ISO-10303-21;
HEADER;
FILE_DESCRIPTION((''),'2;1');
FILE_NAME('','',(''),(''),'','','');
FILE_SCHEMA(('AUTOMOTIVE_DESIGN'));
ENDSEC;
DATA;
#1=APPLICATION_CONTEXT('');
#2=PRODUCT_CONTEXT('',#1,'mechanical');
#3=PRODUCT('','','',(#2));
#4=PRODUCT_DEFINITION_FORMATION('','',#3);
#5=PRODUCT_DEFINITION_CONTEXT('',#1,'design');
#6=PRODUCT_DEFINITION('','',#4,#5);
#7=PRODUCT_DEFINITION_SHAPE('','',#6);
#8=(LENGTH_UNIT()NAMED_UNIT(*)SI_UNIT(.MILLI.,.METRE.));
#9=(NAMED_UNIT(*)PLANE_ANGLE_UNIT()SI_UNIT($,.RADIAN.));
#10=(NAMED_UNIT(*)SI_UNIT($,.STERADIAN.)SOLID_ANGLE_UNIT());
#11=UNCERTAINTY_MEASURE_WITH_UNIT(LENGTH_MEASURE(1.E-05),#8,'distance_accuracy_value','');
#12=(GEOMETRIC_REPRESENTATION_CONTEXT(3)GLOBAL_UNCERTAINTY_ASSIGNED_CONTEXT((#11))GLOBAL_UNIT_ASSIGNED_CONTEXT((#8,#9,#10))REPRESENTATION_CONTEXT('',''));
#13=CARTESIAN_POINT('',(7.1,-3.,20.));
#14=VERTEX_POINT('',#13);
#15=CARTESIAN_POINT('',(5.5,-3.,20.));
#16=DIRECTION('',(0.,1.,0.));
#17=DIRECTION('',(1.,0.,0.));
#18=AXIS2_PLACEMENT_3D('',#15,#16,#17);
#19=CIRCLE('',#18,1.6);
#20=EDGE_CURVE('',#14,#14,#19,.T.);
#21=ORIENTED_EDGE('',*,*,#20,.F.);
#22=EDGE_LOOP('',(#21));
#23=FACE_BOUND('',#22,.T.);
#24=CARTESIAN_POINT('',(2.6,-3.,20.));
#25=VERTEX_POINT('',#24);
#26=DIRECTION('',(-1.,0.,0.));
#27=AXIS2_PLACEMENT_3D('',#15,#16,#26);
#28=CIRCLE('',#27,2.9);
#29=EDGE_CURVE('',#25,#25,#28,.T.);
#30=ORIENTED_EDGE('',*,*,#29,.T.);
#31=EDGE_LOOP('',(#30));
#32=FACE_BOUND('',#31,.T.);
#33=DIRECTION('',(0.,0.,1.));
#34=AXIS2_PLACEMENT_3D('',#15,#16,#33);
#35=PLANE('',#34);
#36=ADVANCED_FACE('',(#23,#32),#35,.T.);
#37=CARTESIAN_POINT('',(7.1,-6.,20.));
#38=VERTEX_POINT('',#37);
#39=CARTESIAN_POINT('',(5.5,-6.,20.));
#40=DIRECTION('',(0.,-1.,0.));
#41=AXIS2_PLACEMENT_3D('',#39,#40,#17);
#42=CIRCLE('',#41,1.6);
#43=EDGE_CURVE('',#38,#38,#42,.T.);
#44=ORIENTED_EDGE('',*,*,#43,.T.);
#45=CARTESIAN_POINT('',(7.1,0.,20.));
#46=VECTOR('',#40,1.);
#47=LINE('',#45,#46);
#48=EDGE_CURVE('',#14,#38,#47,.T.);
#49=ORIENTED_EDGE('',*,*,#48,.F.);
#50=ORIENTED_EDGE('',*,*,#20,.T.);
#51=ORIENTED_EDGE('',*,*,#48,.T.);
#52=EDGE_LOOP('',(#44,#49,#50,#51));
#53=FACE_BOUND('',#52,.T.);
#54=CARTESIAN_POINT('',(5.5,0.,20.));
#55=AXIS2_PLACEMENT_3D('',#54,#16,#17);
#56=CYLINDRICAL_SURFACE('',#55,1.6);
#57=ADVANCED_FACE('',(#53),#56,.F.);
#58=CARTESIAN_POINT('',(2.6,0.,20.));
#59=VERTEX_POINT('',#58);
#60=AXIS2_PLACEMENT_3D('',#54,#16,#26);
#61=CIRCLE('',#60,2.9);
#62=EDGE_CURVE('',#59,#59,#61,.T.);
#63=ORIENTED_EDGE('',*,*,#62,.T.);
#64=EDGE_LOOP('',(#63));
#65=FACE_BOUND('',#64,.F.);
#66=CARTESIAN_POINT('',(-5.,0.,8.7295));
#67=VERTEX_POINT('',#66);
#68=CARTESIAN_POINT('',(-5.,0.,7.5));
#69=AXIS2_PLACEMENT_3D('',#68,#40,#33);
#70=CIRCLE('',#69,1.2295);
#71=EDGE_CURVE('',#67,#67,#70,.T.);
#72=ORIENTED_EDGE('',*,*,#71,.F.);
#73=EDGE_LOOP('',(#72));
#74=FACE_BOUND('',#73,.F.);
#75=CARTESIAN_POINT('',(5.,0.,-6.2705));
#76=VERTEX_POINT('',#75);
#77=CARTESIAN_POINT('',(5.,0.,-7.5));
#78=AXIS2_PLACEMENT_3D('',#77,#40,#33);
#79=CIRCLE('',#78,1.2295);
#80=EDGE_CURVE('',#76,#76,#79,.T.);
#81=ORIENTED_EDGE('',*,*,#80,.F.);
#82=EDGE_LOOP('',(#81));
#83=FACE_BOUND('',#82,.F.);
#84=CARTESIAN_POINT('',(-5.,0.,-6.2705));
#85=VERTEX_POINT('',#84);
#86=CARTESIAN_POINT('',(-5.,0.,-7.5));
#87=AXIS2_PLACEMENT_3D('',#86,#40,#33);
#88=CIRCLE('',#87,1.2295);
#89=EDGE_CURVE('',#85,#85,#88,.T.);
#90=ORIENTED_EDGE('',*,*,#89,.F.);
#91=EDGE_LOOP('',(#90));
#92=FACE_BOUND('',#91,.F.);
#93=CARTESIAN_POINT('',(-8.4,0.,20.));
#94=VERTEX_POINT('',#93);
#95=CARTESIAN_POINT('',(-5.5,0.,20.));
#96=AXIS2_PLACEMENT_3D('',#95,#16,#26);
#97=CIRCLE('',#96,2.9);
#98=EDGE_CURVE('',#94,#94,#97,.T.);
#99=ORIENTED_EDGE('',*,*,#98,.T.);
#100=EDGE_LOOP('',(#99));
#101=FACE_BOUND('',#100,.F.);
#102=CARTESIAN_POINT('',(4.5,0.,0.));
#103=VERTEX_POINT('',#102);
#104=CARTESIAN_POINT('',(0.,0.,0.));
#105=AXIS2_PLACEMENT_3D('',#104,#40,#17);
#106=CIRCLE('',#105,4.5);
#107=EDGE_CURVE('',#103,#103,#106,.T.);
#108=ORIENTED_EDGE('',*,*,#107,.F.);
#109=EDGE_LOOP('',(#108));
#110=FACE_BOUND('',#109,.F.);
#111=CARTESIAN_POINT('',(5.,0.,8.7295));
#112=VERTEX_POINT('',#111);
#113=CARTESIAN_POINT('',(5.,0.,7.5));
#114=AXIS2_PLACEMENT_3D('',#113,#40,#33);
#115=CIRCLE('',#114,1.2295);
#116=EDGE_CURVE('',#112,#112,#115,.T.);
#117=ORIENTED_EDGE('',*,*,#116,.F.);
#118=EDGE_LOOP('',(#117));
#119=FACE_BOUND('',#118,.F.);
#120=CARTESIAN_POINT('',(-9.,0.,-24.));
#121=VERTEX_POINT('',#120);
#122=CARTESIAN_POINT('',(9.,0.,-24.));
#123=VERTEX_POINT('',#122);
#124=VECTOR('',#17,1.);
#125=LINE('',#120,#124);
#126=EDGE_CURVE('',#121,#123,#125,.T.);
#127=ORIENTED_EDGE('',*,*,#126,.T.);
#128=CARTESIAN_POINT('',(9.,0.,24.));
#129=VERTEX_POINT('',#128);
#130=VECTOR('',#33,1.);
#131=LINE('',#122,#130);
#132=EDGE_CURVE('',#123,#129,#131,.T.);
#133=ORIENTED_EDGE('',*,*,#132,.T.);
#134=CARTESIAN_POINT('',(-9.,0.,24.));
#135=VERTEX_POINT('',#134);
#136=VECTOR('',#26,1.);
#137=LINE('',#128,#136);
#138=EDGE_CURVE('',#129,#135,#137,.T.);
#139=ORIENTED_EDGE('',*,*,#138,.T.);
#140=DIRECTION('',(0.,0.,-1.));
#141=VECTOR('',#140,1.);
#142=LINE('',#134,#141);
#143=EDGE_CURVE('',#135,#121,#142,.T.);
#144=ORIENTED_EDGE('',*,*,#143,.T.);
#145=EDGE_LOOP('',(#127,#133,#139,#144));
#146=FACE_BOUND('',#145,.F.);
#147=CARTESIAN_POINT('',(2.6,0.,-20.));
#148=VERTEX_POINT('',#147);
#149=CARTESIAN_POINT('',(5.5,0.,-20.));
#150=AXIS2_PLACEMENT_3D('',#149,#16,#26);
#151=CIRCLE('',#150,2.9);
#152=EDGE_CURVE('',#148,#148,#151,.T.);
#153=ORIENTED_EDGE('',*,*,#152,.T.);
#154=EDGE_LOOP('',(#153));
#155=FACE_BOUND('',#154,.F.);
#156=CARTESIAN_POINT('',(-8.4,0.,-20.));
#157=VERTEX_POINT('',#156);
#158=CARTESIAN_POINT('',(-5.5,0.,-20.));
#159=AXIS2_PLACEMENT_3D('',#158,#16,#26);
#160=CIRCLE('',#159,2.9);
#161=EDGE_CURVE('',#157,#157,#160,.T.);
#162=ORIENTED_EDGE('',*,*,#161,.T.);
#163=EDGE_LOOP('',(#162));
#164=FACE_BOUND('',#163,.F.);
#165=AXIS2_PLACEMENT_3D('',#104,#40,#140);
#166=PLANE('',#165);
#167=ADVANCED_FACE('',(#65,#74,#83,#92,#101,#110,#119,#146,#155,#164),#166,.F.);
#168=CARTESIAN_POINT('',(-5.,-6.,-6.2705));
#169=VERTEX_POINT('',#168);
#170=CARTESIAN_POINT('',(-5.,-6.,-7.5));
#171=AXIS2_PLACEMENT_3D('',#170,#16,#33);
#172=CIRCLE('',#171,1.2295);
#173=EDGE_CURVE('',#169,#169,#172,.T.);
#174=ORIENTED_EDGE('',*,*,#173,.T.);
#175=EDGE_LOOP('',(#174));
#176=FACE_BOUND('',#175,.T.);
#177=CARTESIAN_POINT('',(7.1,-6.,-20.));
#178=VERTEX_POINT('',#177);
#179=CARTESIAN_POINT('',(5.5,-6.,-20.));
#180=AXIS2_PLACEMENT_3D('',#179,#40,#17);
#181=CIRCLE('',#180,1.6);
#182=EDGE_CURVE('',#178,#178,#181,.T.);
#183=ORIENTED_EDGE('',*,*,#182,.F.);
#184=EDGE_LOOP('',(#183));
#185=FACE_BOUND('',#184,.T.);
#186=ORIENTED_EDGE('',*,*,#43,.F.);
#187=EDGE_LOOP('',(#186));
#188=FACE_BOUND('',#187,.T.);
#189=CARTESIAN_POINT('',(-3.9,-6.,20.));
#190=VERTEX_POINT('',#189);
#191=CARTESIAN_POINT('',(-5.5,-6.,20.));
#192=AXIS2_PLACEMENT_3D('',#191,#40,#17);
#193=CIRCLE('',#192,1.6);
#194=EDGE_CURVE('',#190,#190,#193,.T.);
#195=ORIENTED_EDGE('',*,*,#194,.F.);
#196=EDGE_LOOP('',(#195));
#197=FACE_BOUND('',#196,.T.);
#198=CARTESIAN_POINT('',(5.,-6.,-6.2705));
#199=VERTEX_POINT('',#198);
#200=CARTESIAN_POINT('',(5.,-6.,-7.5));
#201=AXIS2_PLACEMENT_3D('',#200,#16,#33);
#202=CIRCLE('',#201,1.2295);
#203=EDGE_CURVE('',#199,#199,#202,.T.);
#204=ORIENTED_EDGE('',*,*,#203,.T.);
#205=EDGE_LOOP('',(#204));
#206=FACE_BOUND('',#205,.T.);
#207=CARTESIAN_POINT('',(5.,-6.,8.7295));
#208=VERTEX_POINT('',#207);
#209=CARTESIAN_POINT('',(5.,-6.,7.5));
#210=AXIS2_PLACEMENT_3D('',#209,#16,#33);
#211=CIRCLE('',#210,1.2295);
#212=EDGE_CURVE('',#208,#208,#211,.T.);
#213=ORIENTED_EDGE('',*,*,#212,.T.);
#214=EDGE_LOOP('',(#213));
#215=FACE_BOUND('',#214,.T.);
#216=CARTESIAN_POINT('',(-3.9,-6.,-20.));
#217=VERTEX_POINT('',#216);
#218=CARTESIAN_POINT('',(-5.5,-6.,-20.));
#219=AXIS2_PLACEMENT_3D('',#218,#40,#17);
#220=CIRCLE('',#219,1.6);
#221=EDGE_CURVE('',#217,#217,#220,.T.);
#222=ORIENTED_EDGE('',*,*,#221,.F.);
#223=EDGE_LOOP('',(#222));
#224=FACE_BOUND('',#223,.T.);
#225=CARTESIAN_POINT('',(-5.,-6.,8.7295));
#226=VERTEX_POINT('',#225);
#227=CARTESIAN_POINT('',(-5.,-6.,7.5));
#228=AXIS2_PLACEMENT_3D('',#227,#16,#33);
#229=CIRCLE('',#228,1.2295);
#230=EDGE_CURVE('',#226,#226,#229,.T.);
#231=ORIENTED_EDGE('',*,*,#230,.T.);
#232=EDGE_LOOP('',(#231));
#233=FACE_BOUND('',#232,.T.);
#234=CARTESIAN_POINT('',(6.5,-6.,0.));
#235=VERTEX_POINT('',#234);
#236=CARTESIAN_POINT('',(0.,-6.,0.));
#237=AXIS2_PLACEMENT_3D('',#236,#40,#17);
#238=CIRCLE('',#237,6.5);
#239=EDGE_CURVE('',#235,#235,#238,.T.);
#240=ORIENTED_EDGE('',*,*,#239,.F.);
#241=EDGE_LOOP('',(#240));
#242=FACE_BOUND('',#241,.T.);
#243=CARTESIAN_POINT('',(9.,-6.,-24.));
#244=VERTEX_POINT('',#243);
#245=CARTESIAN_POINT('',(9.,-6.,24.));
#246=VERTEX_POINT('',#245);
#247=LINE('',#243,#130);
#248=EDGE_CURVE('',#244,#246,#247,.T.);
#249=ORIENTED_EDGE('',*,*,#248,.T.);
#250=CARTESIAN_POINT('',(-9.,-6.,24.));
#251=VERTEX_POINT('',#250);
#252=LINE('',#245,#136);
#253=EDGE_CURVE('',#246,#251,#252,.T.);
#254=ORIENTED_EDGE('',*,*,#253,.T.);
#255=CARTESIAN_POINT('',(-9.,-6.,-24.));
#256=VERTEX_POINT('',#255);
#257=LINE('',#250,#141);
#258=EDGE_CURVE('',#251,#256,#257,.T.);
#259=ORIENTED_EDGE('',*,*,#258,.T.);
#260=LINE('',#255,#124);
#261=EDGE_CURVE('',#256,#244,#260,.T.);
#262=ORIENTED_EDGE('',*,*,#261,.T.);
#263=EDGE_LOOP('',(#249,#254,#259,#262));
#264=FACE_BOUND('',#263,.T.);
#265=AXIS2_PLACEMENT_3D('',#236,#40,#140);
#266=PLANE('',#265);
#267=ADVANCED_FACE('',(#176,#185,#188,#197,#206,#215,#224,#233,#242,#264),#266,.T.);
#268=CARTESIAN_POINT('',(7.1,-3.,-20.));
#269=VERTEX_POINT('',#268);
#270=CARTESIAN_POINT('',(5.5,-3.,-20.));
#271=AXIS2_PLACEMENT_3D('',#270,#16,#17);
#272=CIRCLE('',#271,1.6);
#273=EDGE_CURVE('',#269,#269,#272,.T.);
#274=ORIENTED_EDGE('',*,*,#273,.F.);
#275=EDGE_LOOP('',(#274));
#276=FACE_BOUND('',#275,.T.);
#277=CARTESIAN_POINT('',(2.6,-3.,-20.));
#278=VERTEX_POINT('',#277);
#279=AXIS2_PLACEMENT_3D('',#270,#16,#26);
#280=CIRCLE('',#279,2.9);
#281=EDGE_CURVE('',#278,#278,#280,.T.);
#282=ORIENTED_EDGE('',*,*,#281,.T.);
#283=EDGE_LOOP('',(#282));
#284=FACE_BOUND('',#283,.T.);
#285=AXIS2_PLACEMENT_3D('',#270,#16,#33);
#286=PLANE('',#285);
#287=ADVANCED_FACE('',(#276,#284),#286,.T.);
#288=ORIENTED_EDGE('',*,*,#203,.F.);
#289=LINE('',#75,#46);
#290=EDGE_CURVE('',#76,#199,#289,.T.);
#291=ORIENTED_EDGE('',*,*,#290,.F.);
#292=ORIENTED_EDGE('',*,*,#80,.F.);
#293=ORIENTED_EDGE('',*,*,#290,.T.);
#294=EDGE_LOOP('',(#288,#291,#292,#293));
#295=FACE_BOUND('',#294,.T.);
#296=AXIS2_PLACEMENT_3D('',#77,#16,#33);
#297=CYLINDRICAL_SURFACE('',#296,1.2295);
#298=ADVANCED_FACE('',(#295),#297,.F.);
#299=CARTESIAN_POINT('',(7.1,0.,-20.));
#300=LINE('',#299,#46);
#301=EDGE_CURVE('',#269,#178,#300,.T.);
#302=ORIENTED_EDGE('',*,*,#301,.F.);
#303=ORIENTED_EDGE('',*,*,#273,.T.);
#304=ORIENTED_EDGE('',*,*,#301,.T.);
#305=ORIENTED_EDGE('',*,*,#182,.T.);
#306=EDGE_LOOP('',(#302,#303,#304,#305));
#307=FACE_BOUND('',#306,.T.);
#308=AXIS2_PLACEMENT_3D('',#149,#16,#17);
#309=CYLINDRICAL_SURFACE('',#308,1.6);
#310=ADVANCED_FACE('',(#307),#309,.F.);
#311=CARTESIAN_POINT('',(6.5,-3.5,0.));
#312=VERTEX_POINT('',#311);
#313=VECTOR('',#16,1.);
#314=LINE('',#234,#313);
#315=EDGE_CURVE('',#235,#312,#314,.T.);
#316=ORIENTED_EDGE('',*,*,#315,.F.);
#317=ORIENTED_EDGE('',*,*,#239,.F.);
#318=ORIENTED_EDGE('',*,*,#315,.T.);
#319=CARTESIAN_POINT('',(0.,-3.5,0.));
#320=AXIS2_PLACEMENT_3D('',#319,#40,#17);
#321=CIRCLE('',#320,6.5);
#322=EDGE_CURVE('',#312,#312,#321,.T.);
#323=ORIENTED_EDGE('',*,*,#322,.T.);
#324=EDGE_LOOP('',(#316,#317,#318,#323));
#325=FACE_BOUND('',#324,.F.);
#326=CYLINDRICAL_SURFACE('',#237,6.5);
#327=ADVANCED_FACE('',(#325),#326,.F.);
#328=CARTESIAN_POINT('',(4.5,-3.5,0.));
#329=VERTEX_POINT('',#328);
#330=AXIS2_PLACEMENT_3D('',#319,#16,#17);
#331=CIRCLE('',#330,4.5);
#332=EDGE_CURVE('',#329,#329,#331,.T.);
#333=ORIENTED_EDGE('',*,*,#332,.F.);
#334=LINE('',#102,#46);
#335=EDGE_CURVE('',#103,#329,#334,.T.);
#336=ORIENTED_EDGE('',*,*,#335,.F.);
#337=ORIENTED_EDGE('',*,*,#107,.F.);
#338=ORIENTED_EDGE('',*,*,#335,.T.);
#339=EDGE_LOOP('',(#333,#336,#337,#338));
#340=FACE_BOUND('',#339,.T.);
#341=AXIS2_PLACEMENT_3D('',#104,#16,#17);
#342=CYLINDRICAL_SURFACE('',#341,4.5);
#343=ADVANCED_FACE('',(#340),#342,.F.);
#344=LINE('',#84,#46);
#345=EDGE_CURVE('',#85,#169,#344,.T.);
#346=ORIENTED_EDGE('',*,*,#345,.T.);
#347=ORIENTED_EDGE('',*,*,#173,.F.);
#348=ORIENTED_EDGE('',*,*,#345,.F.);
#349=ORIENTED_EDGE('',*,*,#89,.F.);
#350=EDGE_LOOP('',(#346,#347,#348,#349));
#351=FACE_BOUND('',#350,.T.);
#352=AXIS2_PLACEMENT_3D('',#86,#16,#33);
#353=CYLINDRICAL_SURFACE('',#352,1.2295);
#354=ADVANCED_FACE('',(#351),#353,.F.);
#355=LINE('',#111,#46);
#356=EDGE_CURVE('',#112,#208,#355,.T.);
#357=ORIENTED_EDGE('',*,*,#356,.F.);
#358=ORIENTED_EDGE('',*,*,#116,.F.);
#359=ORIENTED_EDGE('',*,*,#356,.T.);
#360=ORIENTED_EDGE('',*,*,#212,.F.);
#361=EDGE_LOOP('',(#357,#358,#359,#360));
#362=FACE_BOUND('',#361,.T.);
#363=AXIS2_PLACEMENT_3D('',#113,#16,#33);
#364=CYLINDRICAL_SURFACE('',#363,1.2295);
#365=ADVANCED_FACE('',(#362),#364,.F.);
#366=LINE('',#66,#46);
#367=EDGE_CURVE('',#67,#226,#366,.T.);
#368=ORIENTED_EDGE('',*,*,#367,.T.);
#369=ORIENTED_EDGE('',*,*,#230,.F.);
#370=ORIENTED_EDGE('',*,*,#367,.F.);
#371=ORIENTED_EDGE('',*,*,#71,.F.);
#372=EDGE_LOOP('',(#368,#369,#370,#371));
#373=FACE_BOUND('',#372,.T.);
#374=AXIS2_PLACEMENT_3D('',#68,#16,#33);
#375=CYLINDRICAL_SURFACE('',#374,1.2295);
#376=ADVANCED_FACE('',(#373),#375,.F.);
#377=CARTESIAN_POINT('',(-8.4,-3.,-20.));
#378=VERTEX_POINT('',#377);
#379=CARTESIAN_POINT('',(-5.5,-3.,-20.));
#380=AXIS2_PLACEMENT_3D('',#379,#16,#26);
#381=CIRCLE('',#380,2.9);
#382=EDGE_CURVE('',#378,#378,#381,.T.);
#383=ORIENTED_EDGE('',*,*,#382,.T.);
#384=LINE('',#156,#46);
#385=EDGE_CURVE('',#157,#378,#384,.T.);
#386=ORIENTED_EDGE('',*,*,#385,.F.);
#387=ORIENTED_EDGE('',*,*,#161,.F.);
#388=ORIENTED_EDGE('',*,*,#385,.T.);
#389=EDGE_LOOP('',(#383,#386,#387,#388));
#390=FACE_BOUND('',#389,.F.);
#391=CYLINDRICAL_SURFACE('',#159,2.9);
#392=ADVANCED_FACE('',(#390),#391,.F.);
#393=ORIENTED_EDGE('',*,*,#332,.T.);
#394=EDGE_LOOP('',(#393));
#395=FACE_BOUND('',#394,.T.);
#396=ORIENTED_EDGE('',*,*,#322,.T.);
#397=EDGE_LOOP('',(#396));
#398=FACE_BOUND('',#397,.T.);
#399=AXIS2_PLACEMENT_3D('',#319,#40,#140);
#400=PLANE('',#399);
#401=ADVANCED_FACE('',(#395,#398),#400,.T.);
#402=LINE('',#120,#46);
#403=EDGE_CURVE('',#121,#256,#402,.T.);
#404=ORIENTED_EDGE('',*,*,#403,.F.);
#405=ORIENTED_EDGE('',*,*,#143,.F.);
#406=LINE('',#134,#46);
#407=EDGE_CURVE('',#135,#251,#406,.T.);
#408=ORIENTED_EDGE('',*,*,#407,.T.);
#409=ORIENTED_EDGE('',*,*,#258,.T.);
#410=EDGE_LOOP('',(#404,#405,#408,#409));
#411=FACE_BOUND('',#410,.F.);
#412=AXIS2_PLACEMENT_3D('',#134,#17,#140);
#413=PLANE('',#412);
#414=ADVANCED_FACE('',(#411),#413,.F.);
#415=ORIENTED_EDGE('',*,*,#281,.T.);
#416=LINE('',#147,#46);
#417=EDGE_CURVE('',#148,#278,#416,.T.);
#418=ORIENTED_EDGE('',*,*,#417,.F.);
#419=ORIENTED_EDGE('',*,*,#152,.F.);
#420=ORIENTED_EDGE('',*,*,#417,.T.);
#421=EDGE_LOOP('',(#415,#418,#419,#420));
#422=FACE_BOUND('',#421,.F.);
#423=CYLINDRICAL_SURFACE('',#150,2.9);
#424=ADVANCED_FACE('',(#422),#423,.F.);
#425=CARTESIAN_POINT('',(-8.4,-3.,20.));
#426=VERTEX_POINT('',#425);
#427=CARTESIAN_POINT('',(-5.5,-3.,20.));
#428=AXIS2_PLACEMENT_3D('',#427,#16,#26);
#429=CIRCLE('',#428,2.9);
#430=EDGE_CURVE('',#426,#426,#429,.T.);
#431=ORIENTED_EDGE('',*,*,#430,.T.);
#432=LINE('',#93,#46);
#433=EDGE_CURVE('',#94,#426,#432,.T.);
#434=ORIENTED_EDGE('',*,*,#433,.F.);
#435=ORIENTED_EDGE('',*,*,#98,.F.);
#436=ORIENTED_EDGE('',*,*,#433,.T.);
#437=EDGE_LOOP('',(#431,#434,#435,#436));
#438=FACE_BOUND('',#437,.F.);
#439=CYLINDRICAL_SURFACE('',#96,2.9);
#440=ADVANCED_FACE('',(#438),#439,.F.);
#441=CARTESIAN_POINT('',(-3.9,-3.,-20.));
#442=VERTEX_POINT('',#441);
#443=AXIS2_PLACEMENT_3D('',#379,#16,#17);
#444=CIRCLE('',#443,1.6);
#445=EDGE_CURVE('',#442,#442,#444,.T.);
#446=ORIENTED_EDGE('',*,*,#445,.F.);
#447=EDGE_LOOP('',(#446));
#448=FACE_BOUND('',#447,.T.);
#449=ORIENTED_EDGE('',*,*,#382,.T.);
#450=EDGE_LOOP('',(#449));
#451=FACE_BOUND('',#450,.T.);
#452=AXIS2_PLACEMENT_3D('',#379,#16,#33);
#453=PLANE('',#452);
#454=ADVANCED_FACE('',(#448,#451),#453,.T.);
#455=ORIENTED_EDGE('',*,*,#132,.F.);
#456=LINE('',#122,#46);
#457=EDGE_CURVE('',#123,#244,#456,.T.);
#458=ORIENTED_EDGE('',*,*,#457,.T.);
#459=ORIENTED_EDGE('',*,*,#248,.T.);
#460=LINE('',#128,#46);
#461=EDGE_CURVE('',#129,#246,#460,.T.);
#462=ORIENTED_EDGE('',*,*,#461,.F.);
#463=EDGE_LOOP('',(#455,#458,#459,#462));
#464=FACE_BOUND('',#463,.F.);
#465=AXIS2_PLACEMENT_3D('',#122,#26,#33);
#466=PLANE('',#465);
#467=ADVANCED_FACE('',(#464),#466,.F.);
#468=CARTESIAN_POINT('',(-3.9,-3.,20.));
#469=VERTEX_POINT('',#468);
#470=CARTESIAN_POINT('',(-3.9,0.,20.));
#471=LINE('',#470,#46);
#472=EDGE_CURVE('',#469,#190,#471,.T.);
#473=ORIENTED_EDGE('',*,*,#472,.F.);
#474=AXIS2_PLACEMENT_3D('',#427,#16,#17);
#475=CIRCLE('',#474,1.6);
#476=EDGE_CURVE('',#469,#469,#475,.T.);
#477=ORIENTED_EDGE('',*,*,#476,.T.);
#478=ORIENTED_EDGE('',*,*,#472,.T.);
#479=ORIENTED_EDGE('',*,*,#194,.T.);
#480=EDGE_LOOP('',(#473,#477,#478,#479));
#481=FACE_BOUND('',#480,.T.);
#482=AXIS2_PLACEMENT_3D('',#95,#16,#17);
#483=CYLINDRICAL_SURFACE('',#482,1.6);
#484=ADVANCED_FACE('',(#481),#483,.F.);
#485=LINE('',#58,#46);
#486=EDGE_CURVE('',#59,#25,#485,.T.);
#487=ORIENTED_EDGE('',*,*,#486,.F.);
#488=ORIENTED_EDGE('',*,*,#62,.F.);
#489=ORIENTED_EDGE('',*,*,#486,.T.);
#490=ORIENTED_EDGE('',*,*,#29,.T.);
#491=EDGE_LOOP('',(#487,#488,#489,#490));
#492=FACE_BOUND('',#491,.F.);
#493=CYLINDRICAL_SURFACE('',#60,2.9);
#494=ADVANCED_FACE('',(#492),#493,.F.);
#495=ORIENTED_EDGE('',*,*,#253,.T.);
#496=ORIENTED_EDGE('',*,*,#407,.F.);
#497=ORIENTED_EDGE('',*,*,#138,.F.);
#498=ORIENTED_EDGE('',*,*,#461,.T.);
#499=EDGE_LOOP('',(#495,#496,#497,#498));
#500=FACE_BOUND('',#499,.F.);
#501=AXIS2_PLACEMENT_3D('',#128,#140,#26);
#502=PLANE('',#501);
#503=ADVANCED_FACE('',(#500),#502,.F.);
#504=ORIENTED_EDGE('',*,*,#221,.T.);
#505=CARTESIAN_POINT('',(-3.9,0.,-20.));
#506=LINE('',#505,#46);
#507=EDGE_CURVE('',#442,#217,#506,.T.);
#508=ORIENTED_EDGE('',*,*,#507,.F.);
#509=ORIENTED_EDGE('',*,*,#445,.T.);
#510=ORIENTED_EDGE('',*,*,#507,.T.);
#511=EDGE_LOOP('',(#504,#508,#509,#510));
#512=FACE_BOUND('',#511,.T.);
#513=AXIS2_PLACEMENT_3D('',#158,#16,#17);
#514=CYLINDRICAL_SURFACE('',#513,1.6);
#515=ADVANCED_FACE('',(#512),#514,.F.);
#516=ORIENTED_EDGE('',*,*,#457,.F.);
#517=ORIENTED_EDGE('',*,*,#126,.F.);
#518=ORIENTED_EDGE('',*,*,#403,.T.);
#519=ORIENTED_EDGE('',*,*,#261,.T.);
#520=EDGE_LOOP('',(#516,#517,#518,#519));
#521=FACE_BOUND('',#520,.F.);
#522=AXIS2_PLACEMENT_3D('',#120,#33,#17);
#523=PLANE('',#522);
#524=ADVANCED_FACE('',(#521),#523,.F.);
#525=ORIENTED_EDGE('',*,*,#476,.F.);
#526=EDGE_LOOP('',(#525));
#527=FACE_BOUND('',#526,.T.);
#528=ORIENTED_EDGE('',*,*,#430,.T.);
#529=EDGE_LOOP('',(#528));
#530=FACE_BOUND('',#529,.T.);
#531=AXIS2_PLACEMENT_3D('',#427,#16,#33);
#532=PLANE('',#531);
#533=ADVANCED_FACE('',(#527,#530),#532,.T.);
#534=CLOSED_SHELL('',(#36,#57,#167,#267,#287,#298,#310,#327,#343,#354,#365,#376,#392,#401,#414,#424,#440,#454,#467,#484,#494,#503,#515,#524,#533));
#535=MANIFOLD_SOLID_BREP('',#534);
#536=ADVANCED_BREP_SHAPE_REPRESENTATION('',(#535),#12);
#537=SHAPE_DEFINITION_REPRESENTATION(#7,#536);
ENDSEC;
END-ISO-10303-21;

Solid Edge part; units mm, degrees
sketch "Sketch1" plane through (0, 0, 0) normal (0, -1, 0) x (1, 0, 0)
  circle A0 centre (0, 0) radius 4.5
  circle A1 centre (-5.5, 20) radius 1.6
  circle A2 centre (5.5, 20) radius 1.6
  circle A3 centre (-5.5, -20) radius 1.6
  circle A4 centre (5.5, -20) radius 1.6
  line L0 (-9, -24) -> (9, -24)
  line L1 (9, -24) -> (9, 24)
  line L2 (9, 24) -> (-9, 24)
  line L3 (-9, 24) -> (-9, -24)
  dimension "D1" = 48
  dimension "D2" = 18
  dimension "D3" = 40
  dimension "D4" = 20
  dimension "D5" = 11
  dimension "D6" = 5.5
  dimension "D7" = 40
  dimension "D8" = 11
extrude "Protrusion1" add sketch "Sketch1" along normal blind 6
sketch "Sketch2" plane through (0, -6, 0) normal (0, -1, 0) x (1, 0, 0)
  circle A0 centre (0, 0) radius 6.5
extrude "ExtrudedCutout_1" cut sketch "Sketch2" against normal blind 2.5
hole "Hole_5" at (-5, 0, -7.5) direction (0, -1, 0) diameter 2.459 end up to next
hole "Hole1" at (-5, 0, 7.5) direction (0, -1, 0) diameter 2.459 end up to next
hole "Hole2" at (5, 0, 7.5) direction (0, -1, 0) diameter 2.459 end up to next
hole "Hole3" at (5, 0, -7.5) direction (0, -1, 0) diameter 2.459 end up to next
sketch "Sketch3" plane through (0, 0, 0) normal (0, 1, 0) x (-1, 0, 0)
  circle A0 centre (-5.5, -20) radius 2.9
  circle A1 centre (5.5, -20) radius 2.9
  circle A2 centre (5.5, 20) radius 2.9
  circle A3 centre (-5.5, 20) radius 2.9
extrude "ExtrudedCutout_2" cut sketch "Sketch3" against normal blind 3
